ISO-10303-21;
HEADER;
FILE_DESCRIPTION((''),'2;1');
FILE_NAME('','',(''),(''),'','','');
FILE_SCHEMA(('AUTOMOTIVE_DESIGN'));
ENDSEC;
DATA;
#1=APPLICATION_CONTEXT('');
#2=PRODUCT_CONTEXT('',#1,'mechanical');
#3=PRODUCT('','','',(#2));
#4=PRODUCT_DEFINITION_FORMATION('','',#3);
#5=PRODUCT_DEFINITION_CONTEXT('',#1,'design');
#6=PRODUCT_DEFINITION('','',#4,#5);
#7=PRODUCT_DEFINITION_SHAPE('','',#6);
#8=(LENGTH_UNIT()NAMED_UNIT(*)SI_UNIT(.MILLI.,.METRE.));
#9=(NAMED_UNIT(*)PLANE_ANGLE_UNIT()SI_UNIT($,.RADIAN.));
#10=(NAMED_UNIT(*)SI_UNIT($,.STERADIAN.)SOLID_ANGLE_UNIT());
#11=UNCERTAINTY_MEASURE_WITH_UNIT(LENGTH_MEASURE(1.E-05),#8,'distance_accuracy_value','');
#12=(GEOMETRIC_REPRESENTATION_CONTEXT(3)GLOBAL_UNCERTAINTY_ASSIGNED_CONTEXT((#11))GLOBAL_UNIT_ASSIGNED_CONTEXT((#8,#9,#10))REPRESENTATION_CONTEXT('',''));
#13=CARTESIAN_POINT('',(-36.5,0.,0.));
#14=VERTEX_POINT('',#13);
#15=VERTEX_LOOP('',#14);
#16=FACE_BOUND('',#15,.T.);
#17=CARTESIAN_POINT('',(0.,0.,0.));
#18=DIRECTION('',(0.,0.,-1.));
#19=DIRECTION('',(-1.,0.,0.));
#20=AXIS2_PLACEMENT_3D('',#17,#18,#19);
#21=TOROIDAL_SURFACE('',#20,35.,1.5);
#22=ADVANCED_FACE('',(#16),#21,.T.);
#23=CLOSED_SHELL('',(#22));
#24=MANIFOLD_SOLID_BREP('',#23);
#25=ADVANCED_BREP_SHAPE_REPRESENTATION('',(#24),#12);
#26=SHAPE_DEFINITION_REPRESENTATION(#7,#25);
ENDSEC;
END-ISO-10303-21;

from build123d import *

# Parameters (mm, degrees)
SK_ORING67_R = 1.5


with BuildPart() as part:
    # Sk_oring67 → Rev_oring67 (revolve)
    with BuildSketch(Plane(origin=(0, 0, 0), x_dir=(1, 0, 0), z_dir=(0, 1, 0)), mode=Mode.PRIVATE) as rev_oring67_sk:
        with Locations((35, 0)):
            Circle(SK_ORING67_R)
    revolve(rev_oring67_sk.sketch.rotate(Axis((0, 0, 0), (0, 0, 1)), 180), axis=Axis((0, 0, 0), (0, 0, 1)))


solid = part.part
